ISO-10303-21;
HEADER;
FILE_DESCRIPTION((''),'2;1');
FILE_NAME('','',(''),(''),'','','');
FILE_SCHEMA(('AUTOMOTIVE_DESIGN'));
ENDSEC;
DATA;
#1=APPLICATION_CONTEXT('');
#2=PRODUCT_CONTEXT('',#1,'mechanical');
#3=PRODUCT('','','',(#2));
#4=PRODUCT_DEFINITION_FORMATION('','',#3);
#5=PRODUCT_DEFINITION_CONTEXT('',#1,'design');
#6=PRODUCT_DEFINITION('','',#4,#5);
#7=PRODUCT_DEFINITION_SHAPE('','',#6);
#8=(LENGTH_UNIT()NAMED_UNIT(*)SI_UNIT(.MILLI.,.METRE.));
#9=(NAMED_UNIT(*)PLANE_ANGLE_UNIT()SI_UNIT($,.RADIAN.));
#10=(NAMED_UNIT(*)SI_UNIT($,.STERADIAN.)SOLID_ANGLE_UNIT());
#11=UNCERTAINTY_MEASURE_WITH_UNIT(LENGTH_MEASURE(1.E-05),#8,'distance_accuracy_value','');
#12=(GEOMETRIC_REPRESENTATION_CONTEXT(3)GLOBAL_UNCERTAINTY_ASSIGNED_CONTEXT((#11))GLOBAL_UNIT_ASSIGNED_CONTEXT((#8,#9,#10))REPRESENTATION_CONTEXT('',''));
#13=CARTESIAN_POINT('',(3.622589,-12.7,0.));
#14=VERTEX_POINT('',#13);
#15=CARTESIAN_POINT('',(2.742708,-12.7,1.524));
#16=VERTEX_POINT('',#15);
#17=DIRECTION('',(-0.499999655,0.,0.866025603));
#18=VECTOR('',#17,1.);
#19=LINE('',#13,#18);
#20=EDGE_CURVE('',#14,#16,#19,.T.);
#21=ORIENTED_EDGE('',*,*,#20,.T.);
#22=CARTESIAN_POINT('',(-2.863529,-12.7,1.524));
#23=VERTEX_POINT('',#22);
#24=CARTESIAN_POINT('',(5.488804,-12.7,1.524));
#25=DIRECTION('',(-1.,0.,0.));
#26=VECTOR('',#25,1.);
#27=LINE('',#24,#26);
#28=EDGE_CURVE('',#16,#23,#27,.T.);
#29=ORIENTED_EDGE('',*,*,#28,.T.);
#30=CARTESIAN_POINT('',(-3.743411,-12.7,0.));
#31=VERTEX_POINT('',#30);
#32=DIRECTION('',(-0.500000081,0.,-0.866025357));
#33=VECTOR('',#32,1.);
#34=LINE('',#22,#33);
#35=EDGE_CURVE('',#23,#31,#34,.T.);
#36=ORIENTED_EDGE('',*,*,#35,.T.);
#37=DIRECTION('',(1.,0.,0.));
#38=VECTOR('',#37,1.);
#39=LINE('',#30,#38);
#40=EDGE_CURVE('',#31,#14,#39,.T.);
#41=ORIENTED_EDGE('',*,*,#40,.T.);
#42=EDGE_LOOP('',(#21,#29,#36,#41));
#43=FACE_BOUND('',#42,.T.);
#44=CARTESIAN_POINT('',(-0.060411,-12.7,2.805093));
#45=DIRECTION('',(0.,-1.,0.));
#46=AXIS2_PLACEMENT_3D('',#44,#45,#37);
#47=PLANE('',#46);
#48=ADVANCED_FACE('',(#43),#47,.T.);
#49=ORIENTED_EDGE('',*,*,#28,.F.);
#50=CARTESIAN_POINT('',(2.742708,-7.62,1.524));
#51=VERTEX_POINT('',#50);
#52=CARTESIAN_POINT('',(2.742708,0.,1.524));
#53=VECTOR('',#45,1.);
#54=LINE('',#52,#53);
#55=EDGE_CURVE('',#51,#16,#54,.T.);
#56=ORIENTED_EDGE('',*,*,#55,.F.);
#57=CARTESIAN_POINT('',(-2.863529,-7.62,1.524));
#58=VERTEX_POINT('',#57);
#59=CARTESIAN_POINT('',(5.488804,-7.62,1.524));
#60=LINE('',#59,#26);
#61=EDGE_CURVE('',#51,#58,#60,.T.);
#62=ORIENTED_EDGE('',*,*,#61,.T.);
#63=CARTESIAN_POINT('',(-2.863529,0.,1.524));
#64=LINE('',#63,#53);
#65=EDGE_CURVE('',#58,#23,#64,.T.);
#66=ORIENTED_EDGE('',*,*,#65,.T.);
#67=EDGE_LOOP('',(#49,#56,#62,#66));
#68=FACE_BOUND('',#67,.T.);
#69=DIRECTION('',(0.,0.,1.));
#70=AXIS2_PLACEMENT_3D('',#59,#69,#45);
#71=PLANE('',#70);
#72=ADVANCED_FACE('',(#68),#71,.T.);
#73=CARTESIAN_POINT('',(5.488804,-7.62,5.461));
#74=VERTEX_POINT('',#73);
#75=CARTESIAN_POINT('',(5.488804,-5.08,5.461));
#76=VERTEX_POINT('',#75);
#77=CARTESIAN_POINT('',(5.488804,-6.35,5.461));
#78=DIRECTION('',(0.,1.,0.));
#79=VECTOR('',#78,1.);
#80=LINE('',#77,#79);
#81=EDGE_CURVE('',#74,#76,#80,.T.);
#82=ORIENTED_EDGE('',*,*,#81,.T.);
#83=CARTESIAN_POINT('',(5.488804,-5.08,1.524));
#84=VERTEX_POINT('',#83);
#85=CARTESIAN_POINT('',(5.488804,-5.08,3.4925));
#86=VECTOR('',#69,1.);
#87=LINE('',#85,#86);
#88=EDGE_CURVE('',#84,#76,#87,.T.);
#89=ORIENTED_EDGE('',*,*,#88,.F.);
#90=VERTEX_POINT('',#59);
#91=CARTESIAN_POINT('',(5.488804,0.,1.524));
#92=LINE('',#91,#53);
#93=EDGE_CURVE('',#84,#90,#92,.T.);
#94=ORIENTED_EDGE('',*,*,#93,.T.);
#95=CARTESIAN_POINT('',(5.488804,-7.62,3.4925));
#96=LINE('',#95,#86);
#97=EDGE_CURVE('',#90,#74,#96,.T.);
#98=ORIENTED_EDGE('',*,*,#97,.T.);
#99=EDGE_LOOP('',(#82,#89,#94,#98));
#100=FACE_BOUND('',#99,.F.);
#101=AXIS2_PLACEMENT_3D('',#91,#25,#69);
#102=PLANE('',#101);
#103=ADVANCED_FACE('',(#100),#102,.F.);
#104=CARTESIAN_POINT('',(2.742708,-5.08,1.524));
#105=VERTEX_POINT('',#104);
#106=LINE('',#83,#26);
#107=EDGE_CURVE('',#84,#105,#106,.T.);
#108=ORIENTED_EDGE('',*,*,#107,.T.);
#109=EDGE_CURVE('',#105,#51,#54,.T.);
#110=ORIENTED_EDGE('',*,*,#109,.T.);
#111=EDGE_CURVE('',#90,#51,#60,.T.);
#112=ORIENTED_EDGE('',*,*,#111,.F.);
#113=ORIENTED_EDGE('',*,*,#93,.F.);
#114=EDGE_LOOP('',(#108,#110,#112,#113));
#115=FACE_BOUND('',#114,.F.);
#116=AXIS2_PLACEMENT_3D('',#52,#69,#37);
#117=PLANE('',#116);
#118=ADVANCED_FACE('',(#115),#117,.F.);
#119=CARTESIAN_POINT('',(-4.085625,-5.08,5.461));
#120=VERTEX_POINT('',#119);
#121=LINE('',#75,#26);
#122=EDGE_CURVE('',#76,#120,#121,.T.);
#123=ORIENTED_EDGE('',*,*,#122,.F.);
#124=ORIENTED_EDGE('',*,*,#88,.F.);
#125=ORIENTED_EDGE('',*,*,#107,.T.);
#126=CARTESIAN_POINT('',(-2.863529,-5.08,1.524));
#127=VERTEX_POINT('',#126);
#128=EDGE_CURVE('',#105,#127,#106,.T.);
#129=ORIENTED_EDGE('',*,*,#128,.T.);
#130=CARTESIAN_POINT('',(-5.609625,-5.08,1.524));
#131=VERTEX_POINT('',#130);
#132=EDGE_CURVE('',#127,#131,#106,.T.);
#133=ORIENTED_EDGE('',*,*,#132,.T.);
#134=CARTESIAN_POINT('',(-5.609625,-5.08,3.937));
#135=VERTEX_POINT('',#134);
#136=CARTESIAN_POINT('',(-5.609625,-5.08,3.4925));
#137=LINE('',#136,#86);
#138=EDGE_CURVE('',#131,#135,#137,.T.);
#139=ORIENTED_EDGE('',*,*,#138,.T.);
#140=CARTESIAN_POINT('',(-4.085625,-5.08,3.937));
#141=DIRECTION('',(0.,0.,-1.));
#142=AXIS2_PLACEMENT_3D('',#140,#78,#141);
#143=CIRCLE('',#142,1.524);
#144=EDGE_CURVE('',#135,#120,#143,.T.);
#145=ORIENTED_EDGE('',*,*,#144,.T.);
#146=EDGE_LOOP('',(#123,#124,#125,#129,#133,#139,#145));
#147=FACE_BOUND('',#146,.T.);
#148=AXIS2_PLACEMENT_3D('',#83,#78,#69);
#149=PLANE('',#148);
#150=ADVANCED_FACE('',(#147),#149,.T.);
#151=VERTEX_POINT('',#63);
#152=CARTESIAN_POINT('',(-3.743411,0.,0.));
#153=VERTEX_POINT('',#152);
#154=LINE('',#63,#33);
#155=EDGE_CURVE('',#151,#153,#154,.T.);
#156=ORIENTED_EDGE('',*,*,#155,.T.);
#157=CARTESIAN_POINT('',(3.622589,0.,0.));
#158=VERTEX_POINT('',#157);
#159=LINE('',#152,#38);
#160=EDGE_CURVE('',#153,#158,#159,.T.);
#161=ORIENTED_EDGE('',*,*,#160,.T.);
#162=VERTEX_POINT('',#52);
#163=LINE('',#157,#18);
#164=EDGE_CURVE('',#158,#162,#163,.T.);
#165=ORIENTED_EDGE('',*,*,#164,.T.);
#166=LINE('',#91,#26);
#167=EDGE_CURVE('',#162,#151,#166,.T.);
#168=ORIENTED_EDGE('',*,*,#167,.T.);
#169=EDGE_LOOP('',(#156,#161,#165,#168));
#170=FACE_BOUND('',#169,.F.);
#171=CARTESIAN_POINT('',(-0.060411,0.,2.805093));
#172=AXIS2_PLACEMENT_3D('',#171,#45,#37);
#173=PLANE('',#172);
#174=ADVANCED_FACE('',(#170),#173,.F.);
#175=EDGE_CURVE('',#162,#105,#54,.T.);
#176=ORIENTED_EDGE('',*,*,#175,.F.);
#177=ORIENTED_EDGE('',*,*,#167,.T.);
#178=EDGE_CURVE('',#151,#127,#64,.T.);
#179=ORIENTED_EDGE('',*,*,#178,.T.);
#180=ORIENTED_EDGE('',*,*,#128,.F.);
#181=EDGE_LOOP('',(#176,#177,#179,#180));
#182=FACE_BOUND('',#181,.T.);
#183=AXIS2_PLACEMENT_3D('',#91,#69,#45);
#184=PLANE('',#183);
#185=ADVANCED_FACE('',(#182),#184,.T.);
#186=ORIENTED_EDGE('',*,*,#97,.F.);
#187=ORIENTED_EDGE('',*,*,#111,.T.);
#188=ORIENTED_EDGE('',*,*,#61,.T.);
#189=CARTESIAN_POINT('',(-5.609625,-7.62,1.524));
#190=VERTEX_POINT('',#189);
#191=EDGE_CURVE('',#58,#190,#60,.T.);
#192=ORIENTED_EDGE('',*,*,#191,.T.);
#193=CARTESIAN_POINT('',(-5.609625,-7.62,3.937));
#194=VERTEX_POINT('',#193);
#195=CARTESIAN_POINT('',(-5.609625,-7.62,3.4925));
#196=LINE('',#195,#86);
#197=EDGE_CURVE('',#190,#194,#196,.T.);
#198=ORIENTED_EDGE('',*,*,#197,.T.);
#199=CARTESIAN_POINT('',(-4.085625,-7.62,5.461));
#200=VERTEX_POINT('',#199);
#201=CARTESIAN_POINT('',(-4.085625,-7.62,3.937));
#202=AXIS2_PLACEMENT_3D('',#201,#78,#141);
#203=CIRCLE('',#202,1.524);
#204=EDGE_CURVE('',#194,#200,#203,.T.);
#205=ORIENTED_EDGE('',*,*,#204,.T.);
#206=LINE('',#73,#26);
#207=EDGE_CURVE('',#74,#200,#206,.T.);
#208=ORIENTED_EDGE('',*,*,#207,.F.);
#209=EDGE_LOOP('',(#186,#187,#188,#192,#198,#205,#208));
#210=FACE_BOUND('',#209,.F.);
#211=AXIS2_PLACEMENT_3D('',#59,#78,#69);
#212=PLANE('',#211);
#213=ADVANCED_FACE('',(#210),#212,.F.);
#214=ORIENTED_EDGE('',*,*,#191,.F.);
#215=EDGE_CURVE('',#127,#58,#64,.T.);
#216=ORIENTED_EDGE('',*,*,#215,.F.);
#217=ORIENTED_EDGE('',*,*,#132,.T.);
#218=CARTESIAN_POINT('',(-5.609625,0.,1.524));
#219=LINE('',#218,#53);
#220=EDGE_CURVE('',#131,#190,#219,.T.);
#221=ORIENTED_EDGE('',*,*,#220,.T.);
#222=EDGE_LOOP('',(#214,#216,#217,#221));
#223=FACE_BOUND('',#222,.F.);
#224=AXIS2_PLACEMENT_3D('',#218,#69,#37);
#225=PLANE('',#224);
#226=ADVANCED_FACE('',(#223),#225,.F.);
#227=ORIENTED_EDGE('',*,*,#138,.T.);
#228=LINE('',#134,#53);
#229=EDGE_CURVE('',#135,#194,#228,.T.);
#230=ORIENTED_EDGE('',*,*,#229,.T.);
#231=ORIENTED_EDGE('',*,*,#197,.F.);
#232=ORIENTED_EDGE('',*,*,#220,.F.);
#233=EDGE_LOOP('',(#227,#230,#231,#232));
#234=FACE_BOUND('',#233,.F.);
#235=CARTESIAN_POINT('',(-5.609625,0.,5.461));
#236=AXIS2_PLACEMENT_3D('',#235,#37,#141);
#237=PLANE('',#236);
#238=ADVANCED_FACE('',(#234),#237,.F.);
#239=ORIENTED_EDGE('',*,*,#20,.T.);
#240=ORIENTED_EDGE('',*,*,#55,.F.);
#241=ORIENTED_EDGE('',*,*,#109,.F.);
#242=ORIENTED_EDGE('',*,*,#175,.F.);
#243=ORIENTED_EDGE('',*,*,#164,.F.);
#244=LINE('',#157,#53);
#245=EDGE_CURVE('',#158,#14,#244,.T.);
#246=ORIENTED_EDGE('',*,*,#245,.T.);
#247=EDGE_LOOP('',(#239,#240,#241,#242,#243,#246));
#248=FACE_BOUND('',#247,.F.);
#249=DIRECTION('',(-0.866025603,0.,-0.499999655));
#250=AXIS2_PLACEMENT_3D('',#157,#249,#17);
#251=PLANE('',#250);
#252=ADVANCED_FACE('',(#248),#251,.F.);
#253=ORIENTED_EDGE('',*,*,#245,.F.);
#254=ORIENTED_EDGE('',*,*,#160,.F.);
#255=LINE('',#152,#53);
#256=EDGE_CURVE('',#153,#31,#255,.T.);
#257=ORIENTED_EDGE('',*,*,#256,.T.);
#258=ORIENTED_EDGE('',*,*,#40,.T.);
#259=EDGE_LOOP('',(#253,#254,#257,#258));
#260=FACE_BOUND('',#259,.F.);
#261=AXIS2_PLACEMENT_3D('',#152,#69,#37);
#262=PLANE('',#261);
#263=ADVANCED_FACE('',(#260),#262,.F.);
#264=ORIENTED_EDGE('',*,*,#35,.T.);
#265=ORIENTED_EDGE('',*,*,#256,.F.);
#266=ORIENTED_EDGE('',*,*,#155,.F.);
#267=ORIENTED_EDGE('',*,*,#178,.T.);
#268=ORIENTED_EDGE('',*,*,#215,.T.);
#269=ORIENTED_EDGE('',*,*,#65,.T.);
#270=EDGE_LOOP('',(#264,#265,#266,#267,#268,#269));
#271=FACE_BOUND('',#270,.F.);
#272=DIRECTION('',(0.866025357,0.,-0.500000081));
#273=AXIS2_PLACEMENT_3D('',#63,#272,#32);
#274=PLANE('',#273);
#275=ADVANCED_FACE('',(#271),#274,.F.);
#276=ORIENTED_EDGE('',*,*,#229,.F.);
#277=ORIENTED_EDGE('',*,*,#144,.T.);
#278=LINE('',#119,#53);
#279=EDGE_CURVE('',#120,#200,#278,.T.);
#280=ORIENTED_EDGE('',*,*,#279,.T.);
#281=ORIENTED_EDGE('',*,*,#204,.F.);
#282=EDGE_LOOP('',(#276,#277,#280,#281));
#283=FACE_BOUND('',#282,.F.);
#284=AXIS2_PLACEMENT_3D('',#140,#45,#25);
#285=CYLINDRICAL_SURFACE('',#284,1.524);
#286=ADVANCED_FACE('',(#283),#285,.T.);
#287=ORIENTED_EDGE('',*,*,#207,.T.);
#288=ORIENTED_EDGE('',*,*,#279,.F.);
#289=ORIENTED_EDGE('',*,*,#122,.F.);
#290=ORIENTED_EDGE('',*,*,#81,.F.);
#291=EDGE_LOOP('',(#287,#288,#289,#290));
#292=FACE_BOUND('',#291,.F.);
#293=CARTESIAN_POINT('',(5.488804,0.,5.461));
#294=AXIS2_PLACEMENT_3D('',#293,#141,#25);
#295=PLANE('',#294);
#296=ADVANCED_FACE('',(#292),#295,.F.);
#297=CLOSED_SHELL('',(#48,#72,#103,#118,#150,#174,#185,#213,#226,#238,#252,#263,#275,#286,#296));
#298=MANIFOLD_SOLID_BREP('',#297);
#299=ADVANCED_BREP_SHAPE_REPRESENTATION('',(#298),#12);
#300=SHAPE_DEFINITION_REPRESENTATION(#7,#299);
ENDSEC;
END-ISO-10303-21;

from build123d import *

# Parameters (mm, degrees)
F1_DEPTH = 12.7
F2_W     = 2.54
F2_H     = 3.937
F3_DEPTH = 25.4
F4_R     = 1.524


with BuildPart() as f1:
    # F0 (on Front) → F1 (new body)
    with BuildSketch(Plane.XZ):
        Polygon((-2.863529, 1.524), (-3.743411, 0), (3.622589, 0), (2.742708, 1.524), (5.488804, 1.524), (5.488804, 5.461), (-5.609625, 5.461), (-5.609625, 1.524), align=None)
    extrude(amount=F1_DEPTH)

    # F2 (on face) → F3 (intersect)
    with BuildSketch(Plane.YZ.offset(5.488804)):
        with Locations((-6.35, 3.4925)):
            Rectangle(F2_W, F2_H)
        Polygon((-7.62, 1.524), (-12.7, 1.524), (-12.7, 0), (0, 0), (0, 1.524), (-5.08, 1.524), align=None)
    extrude(amount=-F3_DEPTH, mode=Mode.INTERSECT)

    # F4
    f4_edges = [f1.edges().sort_by_distance(p)[0] for p in [
        (-5.609625, -6.35, 5.461),
    ]]
    fillet(f4_edges, radius=F4_R)


solid = f1.part
